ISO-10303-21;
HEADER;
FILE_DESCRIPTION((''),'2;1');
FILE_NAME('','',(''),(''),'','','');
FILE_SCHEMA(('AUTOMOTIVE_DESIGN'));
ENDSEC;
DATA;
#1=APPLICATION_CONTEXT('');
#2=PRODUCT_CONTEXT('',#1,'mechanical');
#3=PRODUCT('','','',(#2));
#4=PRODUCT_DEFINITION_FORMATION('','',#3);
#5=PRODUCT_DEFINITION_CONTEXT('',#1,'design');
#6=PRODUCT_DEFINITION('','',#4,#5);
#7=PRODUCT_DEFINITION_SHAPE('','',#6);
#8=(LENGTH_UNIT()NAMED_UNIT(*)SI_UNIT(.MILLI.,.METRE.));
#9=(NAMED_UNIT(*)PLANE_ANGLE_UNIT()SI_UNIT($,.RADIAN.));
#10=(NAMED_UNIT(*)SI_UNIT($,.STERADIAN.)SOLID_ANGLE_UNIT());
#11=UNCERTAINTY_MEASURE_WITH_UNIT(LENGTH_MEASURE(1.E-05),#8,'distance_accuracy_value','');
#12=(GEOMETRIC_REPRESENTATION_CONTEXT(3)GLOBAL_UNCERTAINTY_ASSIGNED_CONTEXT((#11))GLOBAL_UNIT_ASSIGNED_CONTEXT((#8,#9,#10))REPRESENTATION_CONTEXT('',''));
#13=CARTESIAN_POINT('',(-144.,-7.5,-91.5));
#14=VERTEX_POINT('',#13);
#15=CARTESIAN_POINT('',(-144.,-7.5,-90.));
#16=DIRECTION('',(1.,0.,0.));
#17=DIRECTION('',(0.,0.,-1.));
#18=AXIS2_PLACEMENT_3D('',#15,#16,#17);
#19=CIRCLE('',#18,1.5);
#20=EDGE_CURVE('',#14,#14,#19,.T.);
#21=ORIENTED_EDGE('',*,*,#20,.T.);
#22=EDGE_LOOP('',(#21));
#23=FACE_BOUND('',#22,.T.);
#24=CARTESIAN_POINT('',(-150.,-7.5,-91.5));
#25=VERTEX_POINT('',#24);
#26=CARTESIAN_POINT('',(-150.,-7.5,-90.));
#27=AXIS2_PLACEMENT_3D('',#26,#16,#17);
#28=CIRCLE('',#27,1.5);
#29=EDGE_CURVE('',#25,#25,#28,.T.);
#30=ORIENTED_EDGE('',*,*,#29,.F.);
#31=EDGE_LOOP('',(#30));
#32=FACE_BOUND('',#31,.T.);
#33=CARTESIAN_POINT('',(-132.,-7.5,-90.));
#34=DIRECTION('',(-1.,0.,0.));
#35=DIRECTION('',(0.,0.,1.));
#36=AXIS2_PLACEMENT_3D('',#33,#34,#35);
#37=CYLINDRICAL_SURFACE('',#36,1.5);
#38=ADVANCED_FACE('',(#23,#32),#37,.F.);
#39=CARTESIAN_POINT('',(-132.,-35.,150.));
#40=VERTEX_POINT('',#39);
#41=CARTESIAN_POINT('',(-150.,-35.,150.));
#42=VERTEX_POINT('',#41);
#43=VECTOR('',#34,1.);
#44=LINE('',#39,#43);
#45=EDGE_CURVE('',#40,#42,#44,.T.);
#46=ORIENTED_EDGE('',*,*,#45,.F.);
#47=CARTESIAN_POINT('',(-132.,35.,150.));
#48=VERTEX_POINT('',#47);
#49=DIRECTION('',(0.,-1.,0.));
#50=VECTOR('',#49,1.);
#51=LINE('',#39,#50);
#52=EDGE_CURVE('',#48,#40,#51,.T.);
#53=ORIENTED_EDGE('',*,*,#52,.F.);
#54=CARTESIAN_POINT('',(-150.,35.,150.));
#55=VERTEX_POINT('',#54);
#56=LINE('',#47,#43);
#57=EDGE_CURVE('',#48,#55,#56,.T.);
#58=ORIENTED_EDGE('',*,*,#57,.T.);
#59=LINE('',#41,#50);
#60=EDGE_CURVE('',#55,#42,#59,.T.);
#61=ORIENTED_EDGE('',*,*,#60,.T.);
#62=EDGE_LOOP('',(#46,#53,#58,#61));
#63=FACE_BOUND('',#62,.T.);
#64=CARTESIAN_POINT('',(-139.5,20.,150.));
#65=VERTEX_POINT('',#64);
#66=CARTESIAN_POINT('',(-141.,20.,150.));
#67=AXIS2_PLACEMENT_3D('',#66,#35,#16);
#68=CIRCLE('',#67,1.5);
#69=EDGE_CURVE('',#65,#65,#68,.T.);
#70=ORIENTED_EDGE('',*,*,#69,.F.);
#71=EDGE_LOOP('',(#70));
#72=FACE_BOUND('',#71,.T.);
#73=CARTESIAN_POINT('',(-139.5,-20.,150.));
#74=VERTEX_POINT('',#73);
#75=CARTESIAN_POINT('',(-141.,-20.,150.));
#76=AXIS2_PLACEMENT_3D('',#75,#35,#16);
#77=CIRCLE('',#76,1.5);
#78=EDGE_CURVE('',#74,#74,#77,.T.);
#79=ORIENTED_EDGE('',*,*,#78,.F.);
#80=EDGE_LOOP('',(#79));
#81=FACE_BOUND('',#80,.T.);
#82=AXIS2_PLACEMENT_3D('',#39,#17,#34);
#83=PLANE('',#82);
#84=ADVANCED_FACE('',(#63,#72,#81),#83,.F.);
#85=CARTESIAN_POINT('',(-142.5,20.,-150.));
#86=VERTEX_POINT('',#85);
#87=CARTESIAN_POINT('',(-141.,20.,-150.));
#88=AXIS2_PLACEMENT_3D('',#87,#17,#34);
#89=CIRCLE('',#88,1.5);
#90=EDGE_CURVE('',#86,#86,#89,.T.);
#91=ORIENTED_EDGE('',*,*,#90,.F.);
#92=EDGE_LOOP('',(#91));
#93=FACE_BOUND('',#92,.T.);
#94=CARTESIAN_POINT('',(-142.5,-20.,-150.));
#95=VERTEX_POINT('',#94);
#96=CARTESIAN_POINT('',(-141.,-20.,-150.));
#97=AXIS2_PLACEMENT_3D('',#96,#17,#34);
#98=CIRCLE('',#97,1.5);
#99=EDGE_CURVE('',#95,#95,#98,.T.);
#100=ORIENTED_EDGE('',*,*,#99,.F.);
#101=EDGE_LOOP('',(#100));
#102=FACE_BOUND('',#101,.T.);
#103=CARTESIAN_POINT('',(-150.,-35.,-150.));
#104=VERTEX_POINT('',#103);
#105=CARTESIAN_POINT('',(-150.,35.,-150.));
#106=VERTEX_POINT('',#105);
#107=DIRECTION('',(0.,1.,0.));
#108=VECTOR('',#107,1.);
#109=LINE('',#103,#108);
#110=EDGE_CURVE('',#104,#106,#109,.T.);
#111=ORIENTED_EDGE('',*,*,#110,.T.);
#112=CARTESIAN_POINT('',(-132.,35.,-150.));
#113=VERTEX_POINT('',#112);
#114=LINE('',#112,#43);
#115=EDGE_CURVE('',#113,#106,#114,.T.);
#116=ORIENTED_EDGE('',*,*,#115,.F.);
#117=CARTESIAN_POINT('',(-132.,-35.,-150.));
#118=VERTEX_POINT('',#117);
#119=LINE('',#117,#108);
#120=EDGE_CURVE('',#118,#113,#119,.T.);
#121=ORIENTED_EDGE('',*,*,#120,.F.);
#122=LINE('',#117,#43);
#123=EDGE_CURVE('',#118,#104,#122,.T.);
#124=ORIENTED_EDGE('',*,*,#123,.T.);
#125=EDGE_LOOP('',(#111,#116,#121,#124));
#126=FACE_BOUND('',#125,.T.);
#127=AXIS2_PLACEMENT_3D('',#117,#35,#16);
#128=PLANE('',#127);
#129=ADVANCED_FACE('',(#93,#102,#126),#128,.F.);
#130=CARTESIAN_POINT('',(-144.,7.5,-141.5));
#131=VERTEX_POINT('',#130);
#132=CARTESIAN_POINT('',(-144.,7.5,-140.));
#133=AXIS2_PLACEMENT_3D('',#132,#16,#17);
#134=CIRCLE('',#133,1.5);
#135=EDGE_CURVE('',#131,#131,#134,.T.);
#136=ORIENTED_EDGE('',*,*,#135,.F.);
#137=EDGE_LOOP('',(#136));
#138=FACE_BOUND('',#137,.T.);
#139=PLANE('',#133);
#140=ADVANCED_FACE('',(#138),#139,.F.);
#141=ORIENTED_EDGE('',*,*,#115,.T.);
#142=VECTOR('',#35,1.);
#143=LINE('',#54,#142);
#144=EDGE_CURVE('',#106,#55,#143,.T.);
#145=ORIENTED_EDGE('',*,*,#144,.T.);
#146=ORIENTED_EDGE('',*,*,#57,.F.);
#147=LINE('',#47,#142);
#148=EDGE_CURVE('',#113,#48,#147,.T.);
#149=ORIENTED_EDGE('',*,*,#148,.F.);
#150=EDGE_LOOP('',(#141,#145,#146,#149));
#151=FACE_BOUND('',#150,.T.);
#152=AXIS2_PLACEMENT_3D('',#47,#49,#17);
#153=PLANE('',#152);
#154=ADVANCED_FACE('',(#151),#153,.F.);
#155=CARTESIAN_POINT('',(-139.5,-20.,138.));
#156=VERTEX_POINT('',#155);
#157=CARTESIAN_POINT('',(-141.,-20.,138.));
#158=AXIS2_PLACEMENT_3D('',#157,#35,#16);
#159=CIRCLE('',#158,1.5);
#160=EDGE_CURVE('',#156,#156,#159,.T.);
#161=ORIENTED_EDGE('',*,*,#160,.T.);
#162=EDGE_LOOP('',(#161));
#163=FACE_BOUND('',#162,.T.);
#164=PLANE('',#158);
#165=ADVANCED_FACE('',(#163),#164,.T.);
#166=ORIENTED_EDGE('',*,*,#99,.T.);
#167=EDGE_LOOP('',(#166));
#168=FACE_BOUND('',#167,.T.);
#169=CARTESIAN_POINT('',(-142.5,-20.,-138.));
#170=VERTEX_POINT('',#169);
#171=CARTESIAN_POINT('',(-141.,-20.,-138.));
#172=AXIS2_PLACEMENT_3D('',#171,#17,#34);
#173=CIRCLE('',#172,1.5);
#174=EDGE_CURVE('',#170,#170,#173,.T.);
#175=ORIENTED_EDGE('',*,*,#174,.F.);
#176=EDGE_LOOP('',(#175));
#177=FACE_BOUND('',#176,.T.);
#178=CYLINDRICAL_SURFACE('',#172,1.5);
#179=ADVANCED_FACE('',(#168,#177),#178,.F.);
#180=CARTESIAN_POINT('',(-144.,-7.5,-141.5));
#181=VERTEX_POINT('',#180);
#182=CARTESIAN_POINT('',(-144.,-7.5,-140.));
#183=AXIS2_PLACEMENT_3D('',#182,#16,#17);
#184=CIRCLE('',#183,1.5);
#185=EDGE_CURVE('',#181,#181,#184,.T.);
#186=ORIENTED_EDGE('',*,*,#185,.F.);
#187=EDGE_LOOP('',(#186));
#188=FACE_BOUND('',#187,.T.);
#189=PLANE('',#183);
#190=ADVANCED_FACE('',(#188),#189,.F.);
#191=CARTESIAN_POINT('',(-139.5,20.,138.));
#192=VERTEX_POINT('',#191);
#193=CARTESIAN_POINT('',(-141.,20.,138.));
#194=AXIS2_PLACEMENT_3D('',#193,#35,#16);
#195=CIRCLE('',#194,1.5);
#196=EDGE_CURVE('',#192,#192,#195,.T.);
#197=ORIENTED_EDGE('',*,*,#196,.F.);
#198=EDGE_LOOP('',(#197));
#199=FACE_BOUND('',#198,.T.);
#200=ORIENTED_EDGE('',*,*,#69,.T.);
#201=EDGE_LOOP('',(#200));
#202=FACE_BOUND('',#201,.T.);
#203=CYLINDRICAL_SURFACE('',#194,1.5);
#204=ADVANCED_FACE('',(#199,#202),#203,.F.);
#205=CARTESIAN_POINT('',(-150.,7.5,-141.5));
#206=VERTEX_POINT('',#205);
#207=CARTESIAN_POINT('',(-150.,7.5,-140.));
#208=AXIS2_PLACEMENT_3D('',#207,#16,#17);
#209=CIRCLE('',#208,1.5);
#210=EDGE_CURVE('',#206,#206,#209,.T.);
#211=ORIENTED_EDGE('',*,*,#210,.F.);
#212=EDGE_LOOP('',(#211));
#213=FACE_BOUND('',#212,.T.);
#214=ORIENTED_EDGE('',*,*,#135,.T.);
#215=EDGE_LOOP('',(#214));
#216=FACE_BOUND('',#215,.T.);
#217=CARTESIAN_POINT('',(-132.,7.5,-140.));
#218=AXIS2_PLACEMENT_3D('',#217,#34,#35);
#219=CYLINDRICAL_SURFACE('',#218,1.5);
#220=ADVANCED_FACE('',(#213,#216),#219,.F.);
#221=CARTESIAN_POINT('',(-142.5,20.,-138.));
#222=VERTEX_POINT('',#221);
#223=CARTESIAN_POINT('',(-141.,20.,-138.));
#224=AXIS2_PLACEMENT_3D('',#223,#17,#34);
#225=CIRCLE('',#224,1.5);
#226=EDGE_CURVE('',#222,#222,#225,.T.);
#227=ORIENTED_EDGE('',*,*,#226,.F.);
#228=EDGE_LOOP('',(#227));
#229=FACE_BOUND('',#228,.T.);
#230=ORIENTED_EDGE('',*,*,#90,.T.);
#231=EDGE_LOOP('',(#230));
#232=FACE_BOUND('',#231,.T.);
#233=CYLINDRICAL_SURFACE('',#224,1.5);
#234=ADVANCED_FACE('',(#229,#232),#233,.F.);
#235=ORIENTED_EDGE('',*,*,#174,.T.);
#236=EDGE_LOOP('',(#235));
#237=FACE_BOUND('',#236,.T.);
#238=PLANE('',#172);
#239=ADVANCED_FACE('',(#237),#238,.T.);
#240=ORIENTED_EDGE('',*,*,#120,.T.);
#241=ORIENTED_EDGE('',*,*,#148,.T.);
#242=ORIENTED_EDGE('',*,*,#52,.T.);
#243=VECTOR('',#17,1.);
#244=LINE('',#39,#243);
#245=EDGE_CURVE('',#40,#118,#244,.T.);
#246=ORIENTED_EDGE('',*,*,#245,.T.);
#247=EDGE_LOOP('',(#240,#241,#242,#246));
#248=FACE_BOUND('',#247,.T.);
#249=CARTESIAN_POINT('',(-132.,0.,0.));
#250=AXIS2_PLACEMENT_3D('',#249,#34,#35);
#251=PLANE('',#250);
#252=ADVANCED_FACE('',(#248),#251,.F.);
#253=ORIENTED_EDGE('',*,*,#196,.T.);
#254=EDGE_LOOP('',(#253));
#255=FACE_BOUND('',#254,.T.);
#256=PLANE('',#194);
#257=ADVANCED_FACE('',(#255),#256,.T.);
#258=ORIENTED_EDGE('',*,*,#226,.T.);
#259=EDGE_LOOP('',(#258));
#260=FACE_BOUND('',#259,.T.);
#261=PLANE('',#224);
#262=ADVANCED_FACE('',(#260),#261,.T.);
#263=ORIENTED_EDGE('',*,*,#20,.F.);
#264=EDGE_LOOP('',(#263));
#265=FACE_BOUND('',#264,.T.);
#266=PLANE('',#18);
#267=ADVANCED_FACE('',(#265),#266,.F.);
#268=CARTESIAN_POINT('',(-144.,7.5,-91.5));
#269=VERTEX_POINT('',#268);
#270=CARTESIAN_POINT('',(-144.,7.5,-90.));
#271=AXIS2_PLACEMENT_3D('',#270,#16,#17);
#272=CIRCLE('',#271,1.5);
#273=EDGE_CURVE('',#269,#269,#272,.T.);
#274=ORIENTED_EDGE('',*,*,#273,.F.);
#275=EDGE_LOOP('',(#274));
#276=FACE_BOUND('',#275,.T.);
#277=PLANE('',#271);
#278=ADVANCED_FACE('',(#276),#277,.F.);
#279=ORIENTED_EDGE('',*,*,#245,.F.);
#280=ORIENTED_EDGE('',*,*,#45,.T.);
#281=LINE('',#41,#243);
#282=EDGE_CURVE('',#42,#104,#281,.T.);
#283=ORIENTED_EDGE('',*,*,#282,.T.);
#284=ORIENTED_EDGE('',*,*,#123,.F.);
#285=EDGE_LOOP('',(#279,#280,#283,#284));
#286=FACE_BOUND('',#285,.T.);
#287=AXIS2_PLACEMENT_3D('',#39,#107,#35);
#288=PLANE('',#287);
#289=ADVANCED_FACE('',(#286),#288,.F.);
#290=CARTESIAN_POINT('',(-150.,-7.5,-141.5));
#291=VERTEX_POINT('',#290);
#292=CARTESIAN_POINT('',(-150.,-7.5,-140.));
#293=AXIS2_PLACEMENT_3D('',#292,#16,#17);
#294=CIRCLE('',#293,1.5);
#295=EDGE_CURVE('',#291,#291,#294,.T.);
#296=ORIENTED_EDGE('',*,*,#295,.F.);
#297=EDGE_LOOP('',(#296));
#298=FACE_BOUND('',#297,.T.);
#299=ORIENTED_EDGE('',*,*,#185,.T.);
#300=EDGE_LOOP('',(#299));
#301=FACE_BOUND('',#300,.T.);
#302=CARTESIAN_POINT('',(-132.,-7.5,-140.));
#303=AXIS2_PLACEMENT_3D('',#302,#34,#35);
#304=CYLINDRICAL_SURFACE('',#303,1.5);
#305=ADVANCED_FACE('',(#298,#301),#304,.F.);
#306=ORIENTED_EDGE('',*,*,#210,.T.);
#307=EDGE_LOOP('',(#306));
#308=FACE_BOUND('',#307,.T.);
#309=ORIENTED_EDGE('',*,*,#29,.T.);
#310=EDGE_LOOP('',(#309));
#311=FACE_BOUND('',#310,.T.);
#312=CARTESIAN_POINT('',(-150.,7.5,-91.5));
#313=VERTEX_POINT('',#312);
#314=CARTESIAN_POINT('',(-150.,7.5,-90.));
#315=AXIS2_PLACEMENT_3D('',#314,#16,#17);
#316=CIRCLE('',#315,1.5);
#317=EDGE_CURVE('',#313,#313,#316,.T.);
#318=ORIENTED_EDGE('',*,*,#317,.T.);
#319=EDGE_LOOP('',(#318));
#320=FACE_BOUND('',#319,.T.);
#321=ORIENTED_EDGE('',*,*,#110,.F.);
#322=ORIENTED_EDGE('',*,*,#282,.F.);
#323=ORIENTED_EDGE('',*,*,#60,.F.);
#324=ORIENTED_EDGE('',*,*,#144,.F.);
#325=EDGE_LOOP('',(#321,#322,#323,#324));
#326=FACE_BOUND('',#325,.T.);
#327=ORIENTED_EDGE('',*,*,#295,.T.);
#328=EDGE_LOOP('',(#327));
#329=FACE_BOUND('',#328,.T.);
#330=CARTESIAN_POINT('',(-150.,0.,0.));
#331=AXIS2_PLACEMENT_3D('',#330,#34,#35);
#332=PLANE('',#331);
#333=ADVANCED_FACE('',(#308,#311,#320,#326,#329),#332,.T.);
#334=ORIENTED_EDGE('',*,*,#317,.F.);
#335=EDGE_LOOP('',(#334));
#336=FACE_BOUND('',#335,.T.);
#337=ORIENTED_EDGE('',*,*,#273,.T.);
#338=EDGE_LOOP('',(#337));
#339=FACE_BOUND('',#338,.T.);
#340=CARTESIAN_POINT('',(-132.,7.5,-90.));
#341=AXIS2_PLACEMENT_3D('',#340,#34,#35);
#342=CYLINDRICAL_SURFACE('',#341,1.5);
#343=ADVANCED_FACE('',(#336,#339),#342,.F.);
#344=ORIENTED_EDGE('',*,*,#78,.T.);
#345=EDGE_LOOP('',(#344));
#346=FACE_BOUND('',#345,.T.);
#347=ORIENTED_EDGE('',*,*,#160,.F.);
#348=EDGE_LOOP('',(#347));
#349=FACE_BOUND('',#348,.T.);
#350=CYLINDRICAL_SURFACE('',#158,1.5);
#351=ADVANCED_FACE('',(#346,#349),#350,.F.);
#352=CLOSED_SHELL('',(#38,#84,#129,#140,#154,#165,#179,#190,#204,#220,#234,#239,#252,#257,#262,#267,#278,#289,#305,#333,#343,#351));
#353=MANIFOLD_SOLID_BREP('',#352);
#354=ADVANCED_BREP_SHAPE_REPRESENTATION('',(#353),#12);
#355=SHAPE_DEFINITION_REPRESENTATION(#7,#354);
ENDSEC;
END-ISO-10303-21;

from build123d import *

# Parameters (mm, degrees)
CROQUIS7_W              = 300
CROQUIS7_H              = 70
CROQUIS7_R              = 1.5
SALIENTE_EXTRUIR4_DEPTH = 18
CROQUIS8_R              = 1.5
CORTAR_EXTRUIR1_DEPTH   = 12
CROQUIS9_R              = 1.5
CORTAR_EXTRUIR2_DEPTH   = 12
CROQUIS14_R             = 1.5
SALIENTE_EXTRUIR9_DEPTH = 12


with BuildPart() as part:
    # Croquis7 → Saliente-Extruir4 (new body)
    with BuildSketch(Plane(origin=(-150, 0, 0), x_dir=(0, 0, -1), z_dir=(1, 0, 0))):
        Rectangle(CROQUIS7_W, CROQUIS7_H)
        with Locations((90, 7.5)):
            Circle(CROQUIS7_R, mode=Mode.SUBTRACT)
        with Locations((140, 7.5)):
            Circle(CROQUIS7_R, mode=Mode.SUBTRACT)
        with Locations((90, -7.5)):
            Circle(CROQUIS7_R, mode=Mode.SUBTRACT)
        with Locations((140, -7.5)):
            Circle(CROQUIS7_R, mode=Mode.SUBTRACT)
    extrude(amount=SALIENTE_EXTRUIR4_DEPTH)

    # Croquis8 → Cortar-Extruir1 (cut)
    with BuildSketch(Plane.XY.offset(150)):
        with Locations((-141, -20)):
            Circle(CROQUIS8_R)
        with Locations((-141, 20)):
            Circle(CROQUIS8_R)
    extrude(amount=-CORTAR_EXTRUIR1_DEPTH, mode=Mode.SUBTRACT)

    # Croquis9 → Cortar-Extruir2 (cut)
    with BuildSketch(Plane(origin=(0, 0, -150), x_dir=(-1, 0, 0), z_dir=(0, 0, -1))):
        with Locations((141, -20)):
            Circle(CROQUIS9_R)
        with Locations((141, 20)):
            Circle(CROQUIS9_R)
    extrude(amount=-CORTAR_EXTRUIR2_DEPTH, mode=Mode.SUBTRACT)

    # Croquis14 → Saliente-Extruir9 (add)
    with BuildSketch(Plane(origin=(-132, 0, 0), x_dir=(0, 0, -1), z_dir=(1, 0, 0))):
        with Locations((140, -7.5)):
            Circle(CROQUIS14_R)
        with Locations((140, 7.5)):
            Circle(CROQUIS14_R)
        with Locations((90, -7.5)):
            Circle(CROQUIS14_R)
        with Locations((90, 7.5)):
            Circle(CROQUIS14_R)
    extrude(amount=-SALIENTE_EXTRUIR9_DEPTH)


solid = part.part
